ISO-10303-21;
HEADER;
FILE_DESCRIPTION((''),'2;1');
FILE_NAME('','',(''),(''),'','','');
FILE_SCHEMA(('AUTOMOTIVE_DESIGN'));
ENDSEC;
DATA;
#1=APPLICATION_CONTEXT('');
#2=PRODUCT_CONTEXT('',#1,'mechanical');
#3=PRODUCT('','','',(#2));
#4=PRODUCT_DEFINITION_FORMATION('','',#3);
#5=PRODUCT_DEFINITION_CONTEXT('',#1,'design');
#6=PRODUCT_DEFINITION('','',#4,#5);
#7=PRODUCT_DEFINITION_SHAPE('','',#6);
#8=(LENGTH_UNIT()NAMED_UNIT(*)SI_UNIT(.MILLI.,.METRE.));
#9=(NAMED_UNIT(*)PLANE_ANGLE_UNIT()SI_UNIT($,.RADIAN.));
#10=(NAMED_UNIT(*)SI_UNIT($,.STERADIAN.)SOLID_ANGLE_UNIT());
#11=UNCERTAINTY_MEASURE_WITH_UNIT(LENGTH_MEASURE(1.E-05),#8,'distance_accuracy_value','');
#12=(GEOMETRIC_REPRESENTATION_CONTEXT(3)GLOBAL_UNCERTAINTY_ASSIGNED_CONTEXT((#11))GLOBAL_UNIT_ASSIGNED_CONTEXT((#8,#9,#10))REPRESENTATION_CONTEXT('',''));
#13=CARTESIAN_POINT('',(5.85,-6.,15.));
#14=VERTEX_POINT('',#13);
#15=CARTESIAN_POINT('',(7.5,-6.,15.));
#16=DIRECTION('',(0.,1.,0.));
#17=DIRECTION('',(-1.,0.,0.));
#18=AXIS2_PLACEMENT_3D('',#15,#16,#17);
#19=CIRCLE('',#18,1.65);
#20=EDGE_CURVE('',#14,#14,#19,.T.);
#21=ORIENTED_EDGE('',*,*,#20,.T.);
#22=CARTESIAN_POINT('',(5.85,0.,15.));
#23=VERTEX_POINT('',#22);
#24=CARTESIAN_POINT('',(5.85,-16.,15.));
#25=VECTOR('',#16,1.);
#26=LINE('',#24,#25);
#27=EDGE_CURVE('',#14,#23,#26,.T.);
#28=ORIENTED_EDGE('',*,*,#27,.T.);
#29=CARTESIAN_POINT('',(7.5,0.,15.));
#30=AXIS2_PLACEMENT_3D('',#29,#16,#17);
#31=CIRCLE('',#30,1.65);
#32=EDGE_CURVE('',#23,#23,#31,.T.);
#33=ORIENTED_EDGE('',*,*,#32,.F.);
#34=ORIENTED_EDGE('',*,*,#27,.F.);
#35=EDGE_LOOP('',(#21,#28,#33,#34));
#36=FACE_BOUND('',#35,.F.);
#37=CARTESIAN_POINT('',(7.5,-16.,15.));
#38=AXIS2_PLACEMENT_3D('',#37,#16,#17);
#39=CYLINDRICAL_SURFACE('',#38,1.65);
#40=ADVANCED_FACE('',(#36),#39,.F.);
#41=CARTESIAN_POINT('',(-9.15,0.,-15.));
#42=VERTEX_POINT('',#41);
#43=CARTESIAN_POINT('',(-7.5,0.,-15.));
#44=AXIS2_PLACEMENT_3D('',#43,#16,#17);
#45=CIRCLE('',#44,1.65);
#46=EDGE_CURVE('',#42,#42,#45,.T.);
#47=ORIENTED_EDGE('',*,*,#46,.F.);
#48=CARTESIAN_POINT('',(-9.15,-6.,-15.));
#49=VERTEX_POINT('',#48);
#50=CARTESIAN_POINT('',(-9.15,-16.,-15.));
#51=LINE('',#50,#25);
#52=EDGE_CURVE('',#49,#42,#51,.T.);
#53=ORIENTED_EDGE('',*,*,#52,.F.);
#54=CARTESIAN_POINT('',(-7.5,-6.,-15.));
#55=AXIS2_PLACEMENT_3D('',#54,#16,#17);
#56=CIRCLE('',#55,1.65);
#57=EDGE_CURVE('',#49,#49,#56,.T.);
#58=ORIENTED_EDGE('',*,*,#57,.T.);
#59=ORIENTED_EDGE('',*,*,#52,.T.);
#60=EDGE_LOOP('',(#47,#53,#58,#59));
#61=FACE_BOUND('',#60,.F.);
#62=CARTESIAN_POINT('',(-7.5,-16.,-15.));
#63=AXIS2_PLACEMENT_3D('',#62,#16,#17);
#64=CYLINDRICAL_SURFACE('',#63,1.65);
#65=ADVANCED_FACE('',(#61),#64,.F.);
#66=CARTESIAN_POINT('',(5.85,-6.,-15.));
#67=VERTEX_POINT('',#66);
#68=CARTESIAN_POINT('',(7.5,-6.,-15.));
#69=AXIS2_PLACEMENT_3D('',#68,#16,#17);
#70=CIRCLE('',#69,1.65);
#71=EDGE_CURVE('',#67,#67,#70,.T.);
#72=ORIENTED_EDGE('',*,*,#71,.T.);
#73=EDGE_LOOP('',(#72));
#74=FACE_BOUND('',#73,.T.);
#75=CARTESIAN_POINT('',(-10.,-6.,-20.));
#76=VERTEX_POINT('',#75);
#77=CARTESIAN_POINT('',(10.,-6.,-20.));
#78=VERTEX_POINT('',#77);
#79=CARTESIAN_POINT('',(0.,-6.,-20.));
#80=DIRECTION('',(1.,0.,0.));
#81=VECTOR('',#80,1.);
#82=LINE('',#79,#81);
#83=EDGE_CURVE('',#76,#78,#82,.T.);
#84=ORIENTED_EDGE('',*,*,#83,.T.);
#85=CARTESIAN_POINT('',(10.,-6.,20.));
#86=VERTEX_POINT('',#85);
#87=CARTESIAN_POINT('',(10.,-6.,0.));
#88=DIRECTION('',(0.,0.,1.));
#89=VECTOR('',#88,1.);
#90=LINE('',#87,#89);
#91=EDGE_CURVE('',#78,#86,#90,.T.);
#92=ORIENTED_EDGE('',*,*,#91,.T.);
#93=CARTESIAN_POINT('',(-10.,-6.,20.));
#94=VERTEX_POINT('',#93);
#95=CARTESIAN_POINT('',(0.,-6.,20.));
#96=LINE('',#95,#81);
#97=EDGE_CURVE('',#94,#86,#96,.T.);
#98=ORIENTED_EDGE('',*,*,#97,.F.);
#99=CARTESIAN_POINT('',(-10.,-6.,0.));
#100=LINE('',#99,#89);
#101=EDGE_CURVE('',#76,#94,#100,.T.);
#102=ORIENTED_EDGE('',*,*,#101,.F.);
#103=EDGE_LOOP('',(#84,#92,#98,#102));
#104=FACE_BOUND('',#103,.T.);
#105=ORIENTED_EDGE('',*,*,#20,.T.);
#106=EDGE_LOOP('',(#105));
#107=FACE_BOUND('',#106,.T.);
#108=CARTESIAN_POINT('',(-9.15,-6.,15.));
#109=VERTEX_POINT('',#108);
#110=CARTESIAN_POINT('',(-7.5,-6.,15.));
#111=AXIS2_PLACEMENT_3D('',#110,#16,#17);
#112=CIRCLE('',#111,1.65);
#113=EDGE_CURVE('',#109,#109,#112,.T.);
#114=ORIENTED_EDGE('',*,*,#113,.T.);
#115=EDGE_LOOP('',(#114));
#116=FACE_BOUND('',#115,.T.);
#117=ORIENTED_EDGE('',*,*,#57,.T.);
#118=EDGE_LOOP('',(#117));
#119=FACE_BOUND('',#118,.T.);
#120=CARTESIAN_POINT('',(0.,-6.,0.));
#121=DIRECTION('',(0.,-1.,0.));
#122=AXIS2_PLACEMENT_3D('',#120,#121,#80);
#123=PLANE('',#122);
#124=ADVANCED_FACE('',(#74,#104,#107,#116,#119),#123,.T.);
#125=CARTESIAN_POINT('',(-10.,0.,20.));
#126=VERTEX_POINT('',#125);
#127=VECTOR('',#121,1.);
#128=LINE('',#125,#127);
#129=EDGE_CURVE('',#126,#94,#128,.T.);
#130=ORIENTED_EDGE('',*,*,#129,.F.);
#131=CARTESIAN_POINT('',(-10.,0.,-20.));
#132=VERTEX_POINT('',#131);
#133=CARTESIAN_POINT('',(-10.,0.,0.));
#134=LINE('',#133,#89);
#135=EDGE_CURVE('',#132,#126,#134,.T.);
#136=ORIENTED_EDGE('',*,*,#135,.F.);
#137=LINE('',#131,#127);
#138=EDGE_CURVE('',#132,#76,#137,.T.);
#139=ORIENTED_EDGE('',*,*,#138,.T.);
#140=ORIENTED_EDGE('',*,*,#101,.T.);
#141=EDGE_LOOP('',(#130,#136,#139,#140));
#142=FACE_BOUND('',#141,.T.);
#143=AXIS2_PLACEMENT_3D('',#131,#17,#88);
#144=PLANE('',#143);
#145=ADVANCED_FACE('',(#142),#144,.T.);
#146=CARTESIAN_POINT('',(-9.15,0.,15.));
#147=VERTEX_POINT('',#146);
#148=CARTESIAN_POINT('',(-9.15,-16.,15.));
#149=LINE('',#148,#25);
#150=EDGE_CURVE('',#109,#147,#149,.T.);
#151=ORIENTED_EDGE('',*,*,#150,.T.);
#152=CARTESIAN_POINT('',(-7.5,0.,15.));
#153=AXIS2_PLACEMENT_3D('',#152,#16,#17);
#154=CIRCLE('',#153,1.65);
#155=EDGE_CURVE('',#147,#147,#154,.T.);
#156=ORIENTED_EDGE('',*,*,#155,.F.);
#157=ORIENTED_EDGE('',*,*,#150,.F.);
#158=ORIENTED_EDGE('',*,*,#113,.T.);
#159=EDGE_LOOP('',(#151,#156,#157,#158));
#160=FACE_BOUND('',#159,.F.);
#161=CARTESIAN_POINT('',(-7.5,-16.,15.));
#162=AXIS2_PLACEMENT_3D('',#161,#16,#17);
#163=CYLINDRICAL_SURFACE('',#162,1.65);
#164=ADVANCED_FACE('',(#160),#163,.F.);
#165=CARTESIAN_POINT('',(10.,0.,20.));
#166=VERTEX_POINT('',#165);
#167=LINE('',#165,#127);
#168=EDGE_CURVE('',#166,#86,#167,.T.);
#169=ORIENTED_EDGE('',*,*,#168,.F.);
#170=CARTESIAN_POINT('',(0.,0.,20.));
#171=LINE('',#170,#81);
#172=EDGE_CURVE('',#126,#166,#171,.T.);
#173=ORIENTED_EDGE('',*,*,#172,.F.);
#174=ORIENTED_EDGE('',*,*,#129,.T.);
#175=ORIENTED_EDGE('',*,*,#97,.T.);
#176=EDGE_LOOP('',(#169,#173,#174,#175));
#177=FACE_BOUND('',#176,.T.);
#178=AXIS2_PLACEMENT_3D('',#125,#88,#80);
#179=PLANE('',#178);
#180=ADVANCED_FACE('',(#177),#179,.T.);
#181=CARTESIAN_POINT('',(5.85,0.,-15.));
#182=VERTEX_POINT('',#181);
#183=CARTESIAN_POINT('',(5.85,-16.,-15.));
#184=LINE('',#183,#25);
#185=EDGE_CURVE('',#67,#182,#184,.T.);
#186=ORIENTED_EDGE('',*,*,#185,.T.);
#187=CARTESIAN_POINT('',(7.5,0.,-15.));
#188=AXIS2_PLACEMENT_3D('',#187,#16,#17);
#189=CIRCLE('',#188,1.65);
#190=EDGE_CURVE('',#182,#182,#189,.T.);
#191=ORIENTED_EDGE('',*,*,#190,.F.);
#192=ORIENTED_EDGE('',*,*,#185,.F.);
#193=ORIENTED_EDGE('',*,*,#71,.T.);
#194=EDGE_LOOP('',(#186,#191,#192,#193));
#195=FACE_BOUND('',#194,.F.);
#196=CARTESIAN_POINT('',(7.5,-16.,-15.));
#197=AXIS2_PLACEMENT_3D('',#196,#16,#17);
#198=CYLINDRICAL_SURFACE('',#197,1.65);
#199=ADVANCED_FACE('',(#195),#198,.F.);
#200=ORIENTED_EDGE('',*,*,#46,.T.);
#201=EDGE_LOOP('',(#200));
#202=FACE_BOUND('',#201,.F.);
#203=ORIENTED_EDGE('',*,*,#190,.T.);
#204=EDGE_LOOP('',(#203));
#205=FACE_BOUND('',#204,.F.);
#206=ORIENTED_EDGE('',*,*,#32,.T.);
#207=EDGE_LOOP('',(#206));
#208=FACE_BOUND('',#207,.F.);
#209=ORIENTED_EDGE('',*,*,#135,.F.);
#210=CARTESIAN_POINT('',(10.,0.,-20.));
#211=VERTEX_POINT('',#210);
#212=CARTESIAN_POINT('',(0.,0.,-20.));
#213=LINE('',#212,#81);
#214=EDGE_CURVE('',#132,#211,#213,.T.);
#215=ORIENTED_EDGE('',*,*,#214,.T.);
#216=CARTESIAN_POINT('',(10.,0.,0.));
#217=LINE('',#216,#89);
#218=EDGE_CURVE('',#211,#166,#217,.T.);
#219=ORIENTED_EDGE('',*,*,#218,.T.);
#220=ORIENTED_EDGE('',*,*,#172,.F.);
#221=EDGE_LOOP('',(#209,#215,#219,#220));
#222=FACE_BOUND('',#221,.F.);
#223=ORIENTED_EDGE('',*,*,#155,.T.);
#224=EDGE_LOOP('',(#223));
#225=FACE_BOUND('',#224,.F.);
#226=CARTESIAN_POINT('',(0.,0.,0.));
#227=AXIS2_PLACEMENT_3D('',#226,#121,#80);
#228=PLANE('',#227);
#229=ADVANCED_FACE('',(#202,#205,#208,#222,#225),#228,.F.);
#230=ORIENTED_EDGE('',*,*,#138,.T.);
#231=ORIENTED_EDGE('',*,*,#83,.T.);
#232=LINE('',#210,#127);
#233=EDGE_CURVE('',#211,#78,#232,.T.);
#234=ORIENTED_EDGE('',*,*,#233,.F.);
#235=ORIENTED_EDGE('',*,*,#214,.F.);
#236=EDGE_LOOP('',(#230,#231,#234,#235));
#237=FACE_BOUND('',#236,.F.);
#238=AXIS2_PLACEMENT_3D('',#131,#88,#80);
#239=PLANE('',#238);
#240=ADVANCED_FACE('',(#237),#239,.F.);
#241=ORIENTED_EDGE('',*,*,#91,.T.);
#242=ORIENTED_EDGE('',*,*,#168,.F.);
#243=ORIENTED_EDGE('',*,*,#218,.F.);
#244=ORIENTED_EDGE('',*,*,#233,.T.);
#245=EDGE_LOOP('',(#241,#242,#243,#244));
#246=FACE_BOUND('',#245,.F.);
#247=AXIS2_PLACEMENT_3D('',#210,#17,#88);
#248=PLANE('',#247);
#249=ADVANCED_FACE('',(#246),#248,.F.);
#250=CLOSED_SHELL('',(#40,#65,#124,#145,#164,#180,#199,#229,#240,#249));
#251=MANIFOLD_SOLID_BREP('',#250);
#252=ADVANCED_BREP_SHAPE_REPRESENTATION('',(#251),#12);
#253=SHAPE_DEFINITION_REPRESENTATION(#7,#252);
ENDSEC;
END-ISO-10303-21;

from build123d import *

# Parameters (mm, degrees)
F0_W     = 20
F0_H     = 40
F1_DEPTH = 6
F3_D     = 3.3
F3_DEPTH = 10
F3_TIP   = 0.9914200214


with BuildPart() as f1:
    # F0 (on Front) → F1 (new body)
    with BuildSketch(Plane.XZ):
        Rectangle(F0_W, F0_H)
    extrude(amount=F1_DEPTH)

    # F3
    with Locations(Plane.XZ.offset(6)):
        with Locations((-7.5, 15), (7.5, 15), (7.5, -15), (-7.5, -15)):
            Hole(F3_D / 2, depth=F3_DEPTH)
            with Locations((0, 0, -(F3_DEPTH + F3_TIP / 2))):  # 118° drill point
                Cone(0, F3_D / 2, F3_TIP, mode=Mode.SUBTRACT)


solid = f1.part
